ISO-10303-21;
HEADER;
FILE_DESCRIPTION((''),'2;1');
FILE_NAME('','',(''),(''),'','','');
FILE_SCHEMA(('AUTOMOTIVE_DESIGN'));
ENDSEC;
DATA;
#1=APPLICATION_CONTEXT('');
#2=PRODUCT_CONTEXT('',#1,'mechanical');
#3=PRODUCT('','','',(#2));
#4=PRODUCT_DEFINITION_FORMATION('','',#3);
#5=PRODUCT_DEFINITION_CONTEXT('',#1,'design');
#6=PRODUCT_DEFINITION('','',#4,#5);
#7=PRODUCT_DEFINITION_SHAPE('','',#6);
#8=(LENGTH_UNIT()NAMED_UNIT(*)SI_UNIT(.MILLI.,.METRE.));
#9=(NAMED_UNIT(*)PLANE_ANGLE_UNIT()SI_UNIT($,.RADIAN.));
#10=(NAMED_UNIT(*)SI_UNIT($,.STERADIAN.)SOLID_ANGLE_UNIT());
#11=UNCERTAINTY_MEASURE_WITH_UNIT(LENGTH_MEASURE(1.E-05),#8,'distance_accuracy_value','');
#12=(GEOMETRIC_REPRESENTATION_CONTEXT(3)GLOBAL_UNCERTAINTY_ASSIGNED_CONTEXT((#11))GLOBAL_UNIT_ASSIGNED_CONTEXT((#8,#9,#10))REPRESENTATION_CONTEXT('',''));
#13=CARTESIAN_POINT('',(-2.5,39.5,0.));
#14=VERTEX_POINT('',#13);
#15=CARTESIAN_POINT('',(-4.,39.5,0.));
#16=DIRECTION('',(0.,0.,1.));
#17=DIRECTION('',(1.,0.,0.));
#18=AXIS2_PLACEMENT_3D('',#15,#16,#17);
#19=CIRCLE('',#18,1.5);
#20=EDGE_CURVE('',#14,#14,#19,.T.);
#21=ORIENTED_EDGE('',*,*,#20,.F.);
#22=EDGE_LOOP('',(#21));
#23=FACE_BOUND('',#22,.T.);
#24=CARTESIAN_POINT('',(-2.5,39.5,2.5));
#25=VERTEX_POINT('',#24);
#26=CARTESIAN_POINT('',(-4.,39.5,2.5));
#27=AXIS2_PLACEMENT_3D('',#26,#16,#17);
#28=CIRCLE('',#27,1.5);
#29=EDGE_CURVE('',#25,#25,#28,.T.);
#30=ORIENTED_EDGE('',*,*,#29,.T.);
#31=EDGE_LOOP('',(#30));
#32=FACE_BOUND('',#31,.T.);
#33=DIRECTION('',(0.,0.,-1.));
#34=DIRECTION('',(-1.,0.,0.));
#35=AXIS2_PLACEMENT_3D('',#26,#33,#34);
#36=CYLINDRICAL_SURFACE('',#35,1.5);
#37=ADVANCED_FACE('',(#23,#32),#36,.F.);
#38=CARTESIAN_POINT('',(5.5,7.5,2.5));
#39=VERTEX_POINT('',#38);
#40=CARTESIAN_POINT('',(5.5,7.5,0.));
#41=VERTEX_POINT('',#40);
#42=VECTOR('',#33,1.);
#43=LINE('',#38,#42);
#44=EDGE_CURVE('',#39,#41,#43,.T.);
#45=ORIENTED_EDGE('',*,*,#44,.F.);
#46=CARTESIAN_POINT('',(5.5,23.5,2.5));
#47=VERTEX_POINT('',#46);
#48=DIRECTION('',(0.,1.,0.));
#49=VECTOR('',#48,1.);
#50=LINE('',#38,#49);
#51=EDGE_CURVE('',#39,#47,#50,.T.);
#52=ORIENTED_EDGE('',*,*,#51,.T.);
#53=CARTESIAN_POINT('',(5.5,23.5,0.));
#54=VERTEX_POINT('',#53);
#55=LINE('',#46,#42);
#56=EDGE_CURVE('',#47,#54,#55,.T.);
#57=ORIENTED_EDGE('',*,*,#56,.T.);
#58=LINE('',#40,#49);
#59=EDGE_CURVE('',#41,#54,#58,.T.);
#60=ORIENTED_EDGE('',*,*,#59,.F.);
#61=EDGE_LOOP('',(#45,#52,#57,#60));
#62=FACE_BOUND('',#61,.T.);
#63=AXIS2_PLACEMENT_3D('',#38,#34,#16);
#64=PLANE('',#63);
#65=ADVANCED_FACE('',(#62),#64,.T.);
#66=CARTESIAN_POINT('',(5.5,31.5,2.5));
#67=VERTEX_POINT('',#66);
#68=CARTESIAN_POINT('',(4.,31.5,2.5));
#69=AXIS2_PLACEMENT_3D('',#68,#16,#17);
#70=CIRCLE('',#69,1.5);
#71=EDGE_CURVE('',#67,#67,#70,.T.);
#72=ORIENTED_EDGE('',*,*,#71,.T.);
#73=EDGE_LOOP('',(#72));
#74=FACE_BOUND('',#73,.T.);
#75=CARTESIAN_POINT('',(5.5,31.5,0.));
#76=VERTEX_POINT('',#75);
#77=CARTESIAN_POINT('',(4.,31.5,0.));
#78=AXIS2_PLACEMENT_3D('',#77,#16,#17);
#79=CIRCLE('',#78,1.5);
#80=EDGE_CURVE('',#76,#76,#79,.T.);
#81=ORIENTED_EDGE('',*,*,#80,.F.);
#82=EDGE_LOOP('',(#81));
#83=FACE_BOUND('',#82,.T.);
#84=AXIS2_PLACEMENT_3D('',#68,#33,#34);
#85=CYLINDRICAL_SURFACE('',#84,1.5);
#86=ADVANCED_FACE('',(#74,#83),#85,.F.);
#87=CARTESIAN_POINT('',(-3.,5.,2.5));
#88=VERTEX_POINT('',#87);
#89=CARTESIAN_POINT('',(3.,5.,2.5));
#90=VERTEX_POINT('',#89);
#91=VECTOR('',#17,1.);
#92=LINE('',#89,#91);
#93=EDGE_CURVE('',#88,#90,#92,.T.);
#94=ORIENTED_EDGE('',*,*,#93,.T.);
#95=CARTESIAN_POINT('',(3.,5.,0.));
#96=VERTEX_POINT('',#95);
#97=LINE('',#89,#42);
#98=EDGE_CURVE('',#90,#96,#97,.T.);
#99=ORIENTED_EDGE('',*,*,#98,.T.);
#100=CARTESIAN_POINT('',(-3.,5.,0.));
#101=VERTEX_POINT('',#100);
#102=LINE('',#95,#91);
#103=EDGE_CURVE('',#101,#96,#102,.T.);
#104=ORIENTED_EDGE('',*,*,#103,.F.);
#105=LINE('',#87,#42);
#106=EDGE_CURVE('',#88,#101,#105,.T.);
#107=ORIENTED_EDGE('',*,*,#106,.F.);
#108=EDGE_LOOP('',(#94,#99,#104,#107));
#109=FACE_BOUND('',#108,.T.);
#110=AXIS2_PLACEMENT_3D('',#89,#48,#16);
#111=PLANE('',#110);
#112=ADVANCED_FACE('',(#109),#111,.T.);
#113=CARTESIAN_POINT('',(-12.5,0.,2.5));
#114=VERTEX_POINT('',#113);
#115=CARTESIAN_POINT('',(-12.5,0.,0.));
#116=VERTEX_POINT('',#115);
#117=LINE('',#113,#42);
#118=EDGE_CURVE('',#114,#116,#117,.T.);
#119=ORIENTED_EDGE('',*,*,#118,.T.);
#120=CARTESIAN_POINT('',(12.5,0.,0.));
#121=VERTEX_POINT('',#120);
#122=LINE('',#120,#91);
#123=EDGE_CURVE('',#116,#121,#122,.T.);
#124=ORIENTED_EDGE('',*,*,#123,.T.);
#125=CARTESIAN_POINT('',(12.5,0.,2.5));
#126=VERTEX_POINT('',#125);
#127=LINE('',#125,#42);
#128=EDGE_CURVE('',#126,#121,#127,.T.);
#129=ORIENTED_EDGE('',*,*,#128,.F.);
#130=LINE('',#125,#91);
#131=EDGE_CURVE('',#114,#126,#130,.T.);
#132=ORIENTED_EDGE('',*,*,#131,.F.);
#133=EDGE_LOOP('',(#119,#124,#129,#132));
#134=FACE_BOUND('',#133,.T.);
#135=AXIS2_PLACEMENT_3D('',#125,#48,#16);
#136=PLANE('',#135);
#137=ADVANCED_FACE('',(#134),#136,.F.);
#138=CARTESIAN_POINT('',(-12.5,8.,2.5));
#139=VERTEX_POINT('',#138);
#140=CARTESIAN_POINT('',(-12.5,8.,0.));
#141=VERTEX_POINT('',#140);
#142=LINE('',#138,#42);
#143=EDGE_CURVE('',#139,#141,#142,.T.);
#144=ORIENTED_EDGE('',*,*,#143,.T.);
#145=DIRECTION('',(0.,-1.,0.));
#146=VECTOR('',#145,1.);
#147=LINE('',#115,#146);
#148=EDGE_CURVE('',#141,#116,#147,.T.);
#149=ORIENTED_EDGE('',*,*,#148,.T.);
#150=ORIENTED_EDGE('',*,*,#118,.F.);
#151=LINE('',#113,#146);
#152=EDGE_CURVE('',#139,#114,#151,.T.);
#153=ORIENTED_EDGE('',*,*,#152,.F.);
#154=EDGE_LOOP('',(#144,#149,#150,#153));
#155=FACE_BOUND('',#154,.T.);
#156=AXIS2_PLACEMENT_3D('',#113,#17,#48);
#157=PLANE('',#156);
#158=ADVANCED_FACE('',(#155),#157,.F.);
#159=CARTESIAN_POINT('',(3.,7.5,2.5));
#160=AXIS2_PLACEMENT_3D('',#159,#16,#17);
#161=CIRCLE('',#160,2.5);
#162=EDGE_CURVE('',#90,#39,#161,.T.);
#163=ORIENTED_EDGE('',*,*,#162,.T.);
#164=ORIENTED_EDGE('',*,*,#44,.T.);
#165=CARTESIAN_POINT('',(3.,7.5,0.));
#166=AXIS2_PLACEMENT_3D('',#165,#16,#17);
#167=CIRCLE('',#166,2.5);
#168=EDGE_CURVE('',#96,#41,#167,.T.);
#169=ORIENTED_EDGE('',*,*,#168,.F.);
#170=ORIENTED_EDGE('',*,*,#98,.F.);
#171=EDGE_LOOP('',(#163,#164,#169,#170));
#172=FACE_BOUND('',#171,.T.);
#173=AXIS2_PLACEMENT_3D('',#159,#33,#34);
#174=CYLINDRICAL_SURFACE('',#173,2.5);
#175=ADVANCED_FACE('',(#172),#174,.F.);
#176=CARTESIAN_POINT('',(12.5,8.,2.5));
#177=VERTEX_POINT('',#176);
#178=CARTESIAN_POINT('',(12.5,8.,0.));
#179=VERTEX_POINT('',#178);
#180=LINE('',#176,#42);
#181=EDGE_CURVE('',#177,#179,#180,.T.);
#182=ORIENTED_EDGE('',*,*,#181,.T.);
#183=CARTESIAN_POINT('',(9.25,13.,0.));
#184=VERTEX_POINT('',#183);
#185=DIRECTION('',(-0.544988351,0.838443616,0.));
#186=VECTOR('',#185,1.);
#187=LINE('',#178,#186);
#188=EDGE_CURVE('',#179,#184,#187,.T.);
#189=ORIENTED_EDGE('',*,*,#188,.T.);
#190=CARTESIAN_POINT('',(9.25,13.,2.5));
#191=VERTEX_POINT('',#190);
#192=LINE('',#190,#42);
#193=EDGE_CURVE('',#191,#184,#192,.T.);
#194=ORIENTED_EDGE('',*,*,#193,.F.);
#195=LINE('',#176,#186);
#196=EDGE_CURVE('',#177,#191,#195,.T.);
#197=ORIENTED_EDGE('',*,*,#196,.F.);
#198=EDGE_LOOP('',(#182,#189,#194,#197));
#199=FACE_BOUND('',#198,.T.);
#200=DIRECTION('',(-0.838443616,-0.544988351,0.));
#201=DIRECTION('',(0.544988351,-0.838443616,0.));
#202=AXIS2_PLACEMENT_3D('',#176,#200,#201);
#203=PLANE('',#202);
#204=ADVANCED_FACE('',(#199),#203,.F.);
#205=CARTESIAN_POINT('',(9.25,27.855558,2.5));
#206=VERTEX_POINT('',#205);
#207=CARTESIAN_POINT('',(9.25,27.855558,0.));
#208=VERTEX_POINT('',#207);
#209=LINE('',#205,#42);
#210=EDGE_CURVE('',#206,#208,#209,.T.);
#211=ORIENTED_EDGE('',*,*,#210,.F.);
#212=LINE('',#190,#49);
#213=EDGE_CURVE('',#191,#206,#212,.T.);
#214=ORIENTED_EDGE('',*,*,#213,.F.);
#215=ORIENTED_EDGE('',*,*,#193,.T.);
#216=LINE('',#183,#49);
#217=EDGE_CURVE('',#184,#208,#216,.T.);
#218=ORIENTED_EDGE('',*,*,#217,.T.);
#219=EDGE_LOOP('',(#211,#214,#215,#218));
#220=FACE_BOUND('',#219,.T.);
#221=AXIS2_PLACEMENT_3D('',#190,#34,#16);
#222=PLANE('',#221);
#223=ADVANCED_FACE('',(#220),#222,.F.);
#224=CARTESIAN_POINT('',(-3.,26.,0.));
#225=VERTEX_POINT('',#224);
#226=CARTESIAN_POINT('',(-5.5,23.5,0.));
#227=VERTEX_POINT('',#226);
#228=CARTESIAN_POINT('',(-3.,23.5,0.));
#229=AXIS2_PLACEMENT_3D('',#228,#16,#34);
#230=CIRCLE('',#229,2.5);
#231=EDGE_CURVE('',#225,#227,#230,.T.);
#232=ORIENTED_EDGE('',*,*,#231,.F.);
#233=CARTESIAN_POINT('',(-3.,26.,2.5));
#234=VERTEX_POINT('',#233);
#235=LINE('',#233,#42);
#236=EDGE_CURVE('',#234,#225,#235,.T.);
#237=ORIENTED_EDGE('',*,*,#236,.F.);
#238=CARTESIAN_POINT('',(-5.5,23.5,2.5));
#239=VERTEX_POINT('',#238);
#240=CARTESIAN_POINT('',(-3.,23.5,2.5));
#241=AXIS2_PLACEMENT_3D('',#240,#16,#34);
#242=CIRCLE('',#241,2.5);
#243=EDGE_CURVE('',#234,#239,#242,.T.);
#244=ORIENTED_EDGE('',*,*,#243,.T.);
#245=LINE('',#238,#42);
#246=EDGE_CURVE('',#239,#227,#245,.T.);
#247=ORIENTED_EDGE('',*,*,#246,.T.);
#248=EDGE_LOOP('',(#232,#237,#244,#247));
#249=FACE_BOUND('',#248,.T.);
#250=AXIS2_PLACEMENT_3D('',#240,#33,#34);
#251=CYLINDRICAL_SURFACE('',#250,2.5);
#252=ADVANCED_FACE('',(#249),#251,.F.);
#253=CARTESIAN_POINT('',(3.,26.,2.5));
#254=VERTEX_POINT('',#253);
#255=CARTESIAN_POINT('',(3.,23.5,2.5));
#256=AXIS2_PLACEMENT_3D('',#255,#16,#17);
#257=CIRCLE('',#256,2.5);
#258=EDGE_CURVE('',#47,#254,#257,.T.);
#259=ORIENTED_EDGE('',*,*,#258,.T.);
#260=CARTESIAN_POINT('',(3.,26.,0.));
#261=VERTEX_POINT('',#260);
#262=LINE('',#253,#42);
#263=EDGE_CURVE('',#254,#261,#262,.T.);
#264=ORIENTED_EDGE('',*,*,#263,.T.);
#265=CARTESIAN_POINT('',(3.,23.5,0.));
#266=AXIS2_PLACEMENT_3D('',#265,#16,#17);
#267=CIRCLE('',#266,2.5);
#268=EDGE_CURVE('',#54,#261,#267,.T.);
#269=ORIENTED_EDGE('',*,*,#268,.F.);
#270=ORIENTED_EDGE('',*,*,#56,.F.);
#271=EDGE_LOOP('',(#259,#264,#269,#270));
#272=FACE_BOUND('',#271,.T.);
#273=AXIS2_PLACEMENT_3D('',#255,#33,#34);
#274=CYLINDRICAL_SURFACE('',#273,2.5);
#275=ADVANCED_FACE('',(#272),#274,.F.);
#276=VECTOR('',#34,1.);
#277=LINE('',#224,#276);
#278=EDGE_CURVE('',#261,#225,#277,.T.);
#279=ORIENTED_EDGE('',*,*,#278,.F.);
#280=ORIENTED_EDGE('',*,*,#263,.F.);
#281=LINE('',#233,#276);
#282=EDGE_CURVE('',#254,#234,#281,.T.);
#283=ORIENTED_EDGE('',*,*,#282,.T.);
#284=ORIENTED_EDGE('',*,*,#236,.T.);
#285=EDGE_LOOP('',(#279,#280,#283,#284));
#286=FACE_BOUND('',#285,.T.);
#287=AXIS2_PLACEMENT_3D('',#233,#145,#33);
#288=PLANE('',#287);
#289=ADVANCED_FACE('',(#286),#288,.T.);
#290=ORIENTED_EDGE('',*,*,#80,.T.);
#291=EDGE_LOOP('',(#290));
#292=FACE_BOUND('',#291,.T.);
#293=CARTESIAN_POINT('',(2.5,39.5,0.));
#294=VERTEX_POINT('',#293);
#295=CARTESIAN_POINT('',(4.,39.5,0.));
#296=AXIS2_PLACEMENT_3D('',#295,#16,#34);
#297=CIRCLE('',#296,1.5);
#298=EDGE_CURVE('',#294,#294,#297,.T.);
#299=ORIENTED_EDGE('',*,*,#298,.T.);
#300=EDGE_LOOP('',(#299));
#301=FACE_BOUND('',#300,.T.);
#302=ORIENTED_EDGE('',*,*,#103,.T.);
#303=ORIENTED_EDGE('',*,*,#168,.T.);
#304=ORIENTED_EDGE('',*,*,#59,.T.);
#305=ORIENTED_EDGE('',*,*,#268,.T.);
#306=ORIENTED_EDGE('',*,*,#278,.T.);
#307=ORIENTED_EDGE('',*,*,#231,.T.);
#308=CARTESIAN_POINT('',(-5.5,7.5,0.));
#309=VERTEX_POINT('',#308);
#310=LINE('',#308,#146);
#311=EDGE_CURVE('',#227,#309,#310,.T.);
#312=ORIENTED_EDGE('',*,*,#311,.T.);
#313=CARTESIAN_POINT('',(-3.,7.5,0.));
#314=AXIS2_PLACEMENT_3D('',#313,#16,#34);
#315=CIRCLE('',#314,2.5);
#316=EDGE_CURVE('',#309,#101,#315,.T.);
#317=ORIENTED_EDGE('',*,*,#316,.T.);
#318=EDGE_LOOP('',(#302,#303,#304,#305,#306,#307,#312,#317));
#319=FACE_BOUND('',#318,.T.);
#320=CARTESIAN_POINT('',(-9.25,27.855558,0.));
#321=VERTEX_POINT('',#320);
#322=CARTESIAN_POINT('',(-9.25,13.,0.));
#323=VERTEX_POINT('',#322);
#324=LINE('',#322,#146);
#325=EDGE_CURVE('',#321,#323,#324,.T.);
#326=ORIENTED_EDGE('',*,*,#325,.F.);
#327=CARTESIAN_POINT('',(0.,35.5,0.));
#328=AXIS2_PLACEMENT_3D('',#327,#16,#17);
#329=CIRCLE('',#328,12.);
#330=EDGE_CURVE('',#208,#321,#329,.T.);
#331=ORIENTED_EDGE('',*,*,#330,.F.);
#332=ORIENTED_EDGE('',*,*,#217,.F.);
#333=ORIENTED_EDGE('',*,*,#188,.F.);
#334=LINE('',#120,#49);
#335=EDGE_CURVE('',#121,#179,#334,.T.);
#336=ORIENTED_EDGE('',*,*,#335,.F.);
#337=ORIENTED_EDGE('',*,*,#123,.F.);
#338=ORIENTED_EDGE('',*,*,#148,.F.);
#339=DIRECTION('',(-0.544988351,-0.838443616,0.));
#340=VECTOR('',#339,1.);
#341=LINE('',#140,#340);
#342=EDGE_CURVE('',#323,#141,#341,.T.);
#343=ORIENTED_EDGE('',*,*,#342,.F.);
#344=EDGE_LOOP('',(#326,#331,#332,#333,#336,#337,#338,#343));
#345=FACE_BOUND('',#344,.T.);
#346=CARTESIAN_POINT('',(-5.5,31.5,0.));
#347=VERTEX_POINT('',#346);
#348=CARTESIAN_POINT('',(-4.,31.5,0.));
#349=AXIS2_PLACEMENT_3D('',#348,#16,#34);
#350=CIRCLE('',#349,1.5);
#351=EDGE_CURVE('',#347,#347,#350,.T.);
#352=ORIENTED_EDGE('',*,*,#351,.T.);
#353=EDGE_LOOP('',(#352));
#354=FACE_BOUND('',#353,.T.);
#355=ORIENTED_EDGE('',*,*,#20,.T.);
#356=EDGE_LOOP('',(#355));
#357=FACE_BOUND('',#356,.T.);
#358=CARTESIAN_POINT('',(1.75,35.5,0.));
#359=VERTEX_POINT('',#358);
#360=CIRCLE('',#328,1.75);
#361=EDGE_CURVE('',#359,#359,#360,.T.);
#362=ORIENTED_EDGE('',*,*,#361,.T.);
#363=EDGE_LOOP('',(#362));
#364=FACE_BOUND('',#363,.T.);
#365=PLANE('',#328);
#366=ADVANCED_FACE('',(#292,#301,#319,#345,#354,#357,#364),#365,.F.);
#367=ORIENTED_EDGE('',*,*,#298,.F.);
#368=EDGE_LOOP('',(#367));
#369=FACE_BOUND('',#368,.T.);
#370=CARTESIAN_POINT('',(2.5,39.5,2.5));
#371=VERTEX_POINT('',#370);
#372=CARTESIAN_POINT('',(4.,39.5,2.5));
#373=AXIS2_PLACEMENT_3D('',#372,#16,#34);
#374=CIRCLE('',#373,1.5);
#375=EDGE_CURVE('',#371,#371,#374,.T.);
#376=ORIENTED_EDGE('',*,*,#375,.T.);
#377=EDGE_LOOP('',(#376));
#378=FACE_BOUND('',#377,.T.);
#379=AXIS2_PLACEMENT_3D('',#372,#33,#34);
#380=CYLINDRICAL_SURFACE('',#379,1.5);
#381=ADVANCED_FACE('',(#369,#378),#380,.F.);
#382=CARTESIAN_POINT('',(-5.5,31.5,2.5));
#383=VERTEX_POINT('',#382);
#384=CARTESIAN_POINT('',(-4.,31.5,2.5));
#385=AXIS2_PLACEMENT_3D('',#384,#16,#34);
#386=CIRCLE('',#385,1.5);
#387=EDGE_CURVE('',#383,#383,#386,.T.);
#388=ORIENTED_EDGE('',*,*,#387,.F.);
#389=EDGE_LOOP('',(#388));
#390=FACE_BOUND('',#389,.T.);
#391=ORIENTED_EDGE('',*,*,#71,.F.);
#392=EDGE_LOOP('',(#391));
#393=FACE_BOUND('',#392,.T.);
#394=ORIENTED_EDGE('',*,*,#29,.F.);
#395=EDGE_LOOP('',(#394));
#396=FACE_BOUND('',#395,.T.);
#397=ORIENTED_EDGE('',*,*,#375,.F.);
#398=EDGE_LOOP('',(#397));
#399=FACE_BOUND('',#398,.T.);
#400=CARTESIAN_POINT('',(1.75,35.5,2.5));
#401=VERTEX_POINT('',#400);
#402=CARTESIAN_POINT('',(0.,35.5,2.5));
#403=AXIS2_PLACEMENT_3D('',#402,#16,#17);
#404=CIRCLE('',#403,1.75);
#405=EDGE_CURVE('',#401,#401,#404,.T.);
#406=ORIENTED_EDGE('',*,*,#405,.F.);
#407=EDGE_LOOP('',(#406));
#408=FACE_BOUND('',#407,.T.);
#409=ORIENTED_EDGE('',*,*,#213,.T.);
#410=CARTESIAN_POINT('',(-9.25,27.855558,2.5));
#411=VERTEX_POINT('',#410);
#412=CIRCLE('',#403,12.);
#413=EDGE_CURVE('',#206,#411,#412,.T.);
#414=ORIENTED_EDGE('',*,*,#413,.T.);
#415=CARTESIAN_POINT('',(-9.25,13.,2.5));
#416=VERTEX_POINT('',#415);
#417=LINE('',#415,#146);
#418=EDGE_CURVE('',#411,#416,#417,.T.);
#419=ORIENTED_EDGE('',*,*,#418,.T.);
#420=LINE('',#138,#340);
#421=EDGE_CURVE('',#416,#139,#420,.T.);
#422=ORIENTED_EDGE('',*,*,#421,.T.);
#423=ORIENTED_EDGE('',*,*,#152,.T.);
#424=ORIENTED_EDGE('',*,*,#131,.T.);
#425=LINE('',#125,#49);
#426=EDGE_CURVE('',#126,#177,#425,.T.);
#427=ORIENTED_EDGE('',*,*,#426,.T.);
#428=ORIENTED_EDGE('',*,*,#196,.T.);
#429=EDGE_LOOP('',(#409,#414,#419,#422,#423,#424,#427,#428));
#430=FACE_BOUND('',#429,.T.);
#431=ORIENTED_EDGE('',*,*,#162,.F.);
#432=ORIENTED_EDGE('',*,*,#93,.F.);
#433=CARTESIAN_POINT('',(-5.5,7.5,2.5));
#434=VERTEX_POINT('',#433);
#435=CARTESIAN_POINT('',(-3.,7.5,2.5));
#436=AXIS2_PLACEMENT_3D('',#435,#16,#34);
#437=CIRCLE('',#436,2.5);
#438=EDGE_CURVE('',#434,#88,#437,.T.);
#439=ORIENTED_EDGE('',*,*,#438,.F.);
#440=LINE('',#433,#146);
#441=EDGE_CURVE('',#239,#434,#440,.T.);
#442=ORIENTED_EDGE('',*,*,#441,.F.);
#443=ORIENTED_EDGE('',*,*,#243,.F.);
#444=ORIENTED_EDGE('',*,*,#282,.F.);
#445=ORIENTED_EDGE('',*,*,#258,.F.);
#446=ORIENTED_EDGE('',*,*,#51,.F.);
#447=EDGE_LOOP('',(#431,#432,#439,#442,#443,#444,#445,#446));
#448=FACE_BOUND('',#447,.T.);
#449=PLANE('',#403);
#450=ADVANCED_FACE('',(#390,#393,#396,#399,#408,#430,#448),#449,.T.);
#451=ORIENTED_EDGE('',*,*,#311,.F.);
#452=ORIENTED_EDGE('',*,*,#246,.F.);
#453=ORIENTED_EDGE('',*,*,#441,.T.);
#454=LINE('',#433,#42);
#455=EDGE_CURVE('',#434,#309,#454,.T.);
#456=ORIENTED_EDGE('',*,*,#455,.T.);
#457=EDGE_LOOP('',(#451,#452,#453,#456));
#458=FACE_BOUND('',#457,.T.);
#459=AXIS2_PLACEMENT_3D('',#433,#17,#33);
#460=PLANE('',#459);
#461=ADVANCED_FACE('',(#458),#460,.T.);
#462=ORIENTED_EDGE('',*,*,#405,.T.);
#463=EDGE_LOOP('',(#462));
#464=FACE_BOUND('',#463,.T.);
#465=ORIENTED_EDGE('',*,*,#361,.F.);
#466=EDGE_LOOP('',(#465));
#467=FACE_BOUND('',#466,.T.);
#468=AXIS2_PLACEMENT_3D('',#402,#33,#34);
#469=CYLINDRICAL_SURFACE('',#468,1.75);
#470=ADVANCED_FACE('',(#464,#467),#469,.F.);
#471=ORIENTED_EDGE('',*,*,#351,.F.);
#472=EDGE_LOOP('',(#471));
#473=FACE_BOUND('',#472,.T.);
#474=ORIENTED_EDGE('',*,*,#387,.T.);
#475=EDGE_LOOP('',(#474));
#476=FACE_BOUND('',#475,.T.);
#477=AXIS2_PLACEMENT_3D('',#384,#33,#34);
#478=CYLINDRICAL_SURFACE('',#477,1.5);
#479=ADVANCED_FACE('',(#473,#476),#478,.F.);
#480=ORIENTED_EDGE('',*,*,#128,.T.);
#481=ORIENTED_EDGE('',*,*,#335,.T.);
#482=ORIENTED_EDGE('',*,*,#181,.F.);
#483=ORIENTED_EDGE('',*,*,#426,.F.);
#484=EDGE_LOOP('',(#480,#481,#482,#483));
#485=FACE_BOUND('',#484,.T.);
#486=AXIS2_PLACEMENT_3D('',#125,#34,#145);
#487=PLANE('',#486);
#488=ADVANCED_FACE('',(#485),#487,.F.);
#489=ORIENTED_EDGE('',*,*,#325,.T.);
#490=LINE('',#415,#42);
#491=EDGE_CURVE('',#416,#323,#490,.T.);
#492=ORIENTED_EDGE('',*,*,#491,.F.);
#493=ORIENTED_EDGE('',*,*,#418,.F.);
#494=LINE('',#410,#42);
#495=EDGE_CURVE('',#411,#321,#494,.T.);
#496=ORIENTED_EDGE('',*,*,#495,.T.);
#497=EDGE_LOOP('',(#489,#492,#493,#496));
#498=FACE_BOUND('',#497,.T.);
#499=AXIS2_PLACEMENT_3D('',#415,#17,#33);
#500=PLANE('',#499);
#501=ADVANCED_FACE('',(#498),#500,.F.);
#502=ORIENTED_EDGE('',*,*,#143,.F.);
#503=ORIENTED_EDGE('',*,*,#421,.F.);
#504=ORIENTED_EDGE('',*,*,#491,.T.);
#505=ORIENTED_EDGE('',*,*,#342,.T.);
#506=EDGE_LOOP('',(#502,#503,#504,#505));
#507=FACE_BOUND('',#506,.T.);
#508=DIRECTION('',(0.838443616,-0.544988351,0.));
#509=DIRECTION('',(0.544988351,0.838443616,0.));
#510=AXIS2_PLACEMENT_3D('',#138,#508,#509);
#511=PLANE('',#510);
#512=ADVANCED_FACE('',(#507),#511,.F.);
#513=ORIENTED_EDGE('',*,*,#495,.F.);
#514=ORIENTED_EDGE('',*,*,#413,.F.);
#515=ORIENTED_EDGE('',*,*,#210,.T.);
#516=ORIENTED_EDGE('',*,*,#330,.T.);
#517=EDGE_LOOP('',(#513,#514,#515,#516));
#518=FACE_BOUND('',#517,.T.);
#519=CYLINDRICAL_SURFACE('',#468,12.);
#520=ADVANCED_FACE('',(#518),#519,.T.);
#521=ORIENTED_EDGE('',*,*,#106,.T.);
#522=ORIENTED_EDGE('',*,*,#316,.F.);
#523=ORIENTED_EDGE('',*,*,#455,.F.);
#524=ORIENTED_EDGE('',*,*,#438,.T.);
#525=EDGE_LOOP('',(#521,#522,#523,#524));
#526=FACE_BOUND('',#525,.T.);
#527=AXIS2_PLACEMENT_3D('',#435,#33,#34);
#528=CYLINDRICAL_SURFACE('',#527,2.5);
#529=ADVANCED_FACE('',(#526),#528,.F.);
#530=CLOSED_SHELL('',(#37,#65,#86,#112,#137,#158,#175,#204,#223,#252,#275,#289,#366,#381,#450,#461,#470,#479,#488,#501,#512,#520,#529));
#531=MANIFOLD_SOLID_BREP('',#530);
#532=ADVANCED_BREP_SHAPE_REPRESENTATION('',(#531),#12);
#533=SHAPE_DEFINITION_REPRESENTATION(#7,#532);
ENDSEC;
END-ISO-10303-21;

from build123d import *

# Parameters (mm, degrees)
SZKIC1_R                    = 1.75
SZKIC1_R_2                  = 1.5
DODANIE_WYCI_GNI_CIE1_DEPTH = 2.5


with BuildPart() as part:
    # Szkic1 → Dodanie-wyciągnięcie1 (new body)
    with BuildSketch(Plane.XY):
        with BuildLine():
            Line((12.5, 0), (-12.5, 0))
            Line((-12.5, 0), (-12.5, 8))
            Line((-12.5, 8), (-9.25, 13))
            Line((-9.25, 13), (-9.25, 27.855557574))
            ThreePointArc((-9.25, 27.855557574), (0, 47.5), (9.25, 27.855557574))
            Line((9.25, 27.855557574), (9.25, 13))
            Line((9.25, 13), (12.5, 8))
            Line((12.5, 8), (12.5, 0))
        make_face()
        with Locations((0, 35.5)):
            Circle(SZKIC1_R, mode=Mode.SUBTRACT)
        with Locations((-4, 39.5)):
            Circle(SZKIC1_R_2, mode=Mode.SUBTRACT)
        with Locations(Location((-4, 31.5, 0), (0, 0, 180))):
            Circle(SZKIC1_R_2, mode=Mode.SUBTRACT)
        with Locations((4, 31.5)):
            Circle(SZKIC1_R_2, mode=Mode.SUBTRACT)
        with Locations(Location((4, 39.5, 0), (0, 0, 180))):
            Circle(SZKIC1_R_2, mode=Mode.SUBTRACT)
        with BuildLine():
            Line((3, 5), (-3, 5))
            ThreePointArc((-3, 5), (-4.767766953, 5.732233047), (-5.5, 7.5))
            Line((-5.5, 7.5), (-5.5, 23.5))
            ThreePointArc((-5.5, 23.5), (-4.767766953, 25.267766953), (-3, 26))
            Line((-3, 26), (3, 26))
            ThreePointArc((3, 26), (4.767766953, 25.267766953), (5.5, 23.5))
            Line((5.5, 23.5), (5.5, 7.5))
            ThreePointArc((5.5, 7.5), (4.767766953, 5.732233047), (3, 5))
        make_face(mode=Mode.SUBTRACT)
    extrude(amount=DODANIE_WYCI_GNI_CIE1_DEPTH)


solid = part.part
